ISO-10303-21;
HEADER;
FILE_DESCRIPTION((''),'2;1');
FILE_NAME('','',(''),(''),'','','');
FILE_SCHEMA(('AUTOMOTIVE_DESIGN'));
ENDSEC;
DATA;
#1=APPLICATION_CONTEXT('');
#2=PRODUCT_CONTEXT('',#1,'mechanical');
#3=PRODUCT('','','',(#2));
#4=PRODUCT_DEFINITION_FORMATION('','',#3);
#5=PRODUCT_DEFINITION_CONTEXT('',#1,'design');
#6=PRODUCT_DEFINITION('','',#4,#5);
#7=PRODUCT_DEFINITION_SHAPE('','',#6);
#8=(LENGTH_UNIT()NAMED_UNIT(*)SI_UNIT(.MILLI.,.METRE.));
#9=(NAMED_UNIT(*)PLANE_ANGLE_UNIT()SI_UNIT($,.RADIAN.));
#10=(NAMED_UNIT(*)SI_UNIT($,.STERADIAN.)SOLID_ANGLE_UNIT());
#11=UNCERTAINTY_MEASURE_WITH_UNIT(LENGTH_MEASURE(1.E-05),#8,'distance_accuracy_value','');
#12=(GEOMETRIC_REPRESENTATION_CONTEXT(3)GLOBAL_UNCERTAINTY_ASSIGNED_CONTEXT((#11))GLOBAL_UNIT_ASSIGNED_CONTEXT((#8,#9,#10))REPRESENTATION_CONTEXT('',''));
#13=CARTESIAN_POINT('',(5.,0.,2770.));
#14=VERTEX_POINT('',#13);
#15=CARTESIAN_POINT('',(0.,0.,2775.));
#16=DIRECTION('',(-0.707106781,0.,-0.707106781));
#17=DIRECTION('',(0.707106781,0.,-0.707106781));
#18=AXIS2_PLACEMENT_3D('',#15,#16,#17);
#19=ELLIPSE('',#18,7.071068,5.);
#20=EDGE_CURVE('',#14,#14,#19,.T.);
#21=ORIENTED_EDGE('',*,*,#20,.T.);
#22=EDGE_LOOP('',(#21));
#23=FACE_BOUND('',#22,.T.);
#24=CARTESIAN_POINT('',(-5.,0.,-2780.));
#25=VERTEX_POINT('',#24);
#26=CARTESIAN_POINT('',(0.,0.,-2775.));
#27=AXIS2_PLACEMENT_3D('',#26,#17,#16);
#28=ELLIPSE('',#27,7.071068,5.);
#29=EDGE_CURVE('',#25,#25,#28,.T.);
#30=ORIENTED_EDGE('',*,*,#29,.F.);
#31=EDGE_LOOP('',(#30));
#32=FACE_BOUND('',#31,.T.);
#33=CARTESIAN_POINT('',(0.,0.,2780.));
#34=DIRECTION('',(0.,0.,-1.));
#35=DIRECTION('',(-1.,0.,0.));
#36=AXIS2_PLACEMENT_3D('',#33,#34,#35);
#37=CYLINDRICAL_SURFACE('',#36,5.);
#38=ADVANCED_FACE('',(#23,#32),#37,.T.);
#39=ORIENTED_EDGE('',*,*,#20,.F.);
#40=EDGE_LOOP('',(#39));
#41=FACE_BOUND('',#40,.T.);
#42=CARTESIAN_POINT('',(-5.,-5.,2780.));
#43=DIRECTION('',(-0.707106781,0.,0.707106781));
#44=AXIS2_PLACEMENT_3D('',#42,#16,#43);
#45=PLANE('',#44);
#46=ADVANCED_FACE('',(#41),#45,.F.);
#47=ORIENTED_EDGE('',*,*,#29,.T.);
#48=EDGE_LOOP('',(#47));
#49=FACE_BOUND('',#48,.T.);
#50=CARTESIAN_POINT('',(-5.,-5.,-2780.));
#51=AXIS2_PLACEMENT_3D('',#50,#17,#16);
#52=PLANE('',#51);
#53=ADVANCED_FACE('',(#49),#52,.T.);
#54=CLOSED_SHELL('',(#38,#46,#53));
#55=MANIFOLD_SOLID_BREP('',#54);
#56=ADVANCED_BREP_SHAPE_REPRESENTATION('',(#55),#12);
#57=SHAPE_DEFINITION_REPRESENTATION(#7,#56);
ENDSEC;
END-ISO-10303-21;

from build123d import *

# Parameters (mm, degrees)
ESBO_O1_R                = 5
RESSALTO_EXTRUS_O1_DEPTH = 2780
CORTE_EXTRUS_O1_DEPTH    = 5


with BuildPart() as part:
    # Esboço1 → Ressalto-extrusão1 (new, symmetric)
    with BuildSketch(Plane.XY):
        Circle(ESBO_O1_R)
    extrude(amount=RESSALTO_EXTRUS_O1_DEPTH, both=True)

    # Esboço2 → Corte-extrusão1 (cut, symmetric)
    with BuildSketch(Plane(origin=(0, 0, 0), x_dir=(1, 0, 0), z_dir=(0, 1, 0))):
        Polygon((-5, -2780), (5, -2780), (5, -2770), align=None)
    corte_extrus_o1 = extrude(amount=CORTE_EXTRUS_O1_DEPTH, both=True, mode=Mode.SUBTRACT)

    # Espelhar1: Corte-extrusão1 across plane
    add(corte_extrus_o1.mirror(Plane.XY), mode=Mode.SUBTRACT)


solid = part.part
